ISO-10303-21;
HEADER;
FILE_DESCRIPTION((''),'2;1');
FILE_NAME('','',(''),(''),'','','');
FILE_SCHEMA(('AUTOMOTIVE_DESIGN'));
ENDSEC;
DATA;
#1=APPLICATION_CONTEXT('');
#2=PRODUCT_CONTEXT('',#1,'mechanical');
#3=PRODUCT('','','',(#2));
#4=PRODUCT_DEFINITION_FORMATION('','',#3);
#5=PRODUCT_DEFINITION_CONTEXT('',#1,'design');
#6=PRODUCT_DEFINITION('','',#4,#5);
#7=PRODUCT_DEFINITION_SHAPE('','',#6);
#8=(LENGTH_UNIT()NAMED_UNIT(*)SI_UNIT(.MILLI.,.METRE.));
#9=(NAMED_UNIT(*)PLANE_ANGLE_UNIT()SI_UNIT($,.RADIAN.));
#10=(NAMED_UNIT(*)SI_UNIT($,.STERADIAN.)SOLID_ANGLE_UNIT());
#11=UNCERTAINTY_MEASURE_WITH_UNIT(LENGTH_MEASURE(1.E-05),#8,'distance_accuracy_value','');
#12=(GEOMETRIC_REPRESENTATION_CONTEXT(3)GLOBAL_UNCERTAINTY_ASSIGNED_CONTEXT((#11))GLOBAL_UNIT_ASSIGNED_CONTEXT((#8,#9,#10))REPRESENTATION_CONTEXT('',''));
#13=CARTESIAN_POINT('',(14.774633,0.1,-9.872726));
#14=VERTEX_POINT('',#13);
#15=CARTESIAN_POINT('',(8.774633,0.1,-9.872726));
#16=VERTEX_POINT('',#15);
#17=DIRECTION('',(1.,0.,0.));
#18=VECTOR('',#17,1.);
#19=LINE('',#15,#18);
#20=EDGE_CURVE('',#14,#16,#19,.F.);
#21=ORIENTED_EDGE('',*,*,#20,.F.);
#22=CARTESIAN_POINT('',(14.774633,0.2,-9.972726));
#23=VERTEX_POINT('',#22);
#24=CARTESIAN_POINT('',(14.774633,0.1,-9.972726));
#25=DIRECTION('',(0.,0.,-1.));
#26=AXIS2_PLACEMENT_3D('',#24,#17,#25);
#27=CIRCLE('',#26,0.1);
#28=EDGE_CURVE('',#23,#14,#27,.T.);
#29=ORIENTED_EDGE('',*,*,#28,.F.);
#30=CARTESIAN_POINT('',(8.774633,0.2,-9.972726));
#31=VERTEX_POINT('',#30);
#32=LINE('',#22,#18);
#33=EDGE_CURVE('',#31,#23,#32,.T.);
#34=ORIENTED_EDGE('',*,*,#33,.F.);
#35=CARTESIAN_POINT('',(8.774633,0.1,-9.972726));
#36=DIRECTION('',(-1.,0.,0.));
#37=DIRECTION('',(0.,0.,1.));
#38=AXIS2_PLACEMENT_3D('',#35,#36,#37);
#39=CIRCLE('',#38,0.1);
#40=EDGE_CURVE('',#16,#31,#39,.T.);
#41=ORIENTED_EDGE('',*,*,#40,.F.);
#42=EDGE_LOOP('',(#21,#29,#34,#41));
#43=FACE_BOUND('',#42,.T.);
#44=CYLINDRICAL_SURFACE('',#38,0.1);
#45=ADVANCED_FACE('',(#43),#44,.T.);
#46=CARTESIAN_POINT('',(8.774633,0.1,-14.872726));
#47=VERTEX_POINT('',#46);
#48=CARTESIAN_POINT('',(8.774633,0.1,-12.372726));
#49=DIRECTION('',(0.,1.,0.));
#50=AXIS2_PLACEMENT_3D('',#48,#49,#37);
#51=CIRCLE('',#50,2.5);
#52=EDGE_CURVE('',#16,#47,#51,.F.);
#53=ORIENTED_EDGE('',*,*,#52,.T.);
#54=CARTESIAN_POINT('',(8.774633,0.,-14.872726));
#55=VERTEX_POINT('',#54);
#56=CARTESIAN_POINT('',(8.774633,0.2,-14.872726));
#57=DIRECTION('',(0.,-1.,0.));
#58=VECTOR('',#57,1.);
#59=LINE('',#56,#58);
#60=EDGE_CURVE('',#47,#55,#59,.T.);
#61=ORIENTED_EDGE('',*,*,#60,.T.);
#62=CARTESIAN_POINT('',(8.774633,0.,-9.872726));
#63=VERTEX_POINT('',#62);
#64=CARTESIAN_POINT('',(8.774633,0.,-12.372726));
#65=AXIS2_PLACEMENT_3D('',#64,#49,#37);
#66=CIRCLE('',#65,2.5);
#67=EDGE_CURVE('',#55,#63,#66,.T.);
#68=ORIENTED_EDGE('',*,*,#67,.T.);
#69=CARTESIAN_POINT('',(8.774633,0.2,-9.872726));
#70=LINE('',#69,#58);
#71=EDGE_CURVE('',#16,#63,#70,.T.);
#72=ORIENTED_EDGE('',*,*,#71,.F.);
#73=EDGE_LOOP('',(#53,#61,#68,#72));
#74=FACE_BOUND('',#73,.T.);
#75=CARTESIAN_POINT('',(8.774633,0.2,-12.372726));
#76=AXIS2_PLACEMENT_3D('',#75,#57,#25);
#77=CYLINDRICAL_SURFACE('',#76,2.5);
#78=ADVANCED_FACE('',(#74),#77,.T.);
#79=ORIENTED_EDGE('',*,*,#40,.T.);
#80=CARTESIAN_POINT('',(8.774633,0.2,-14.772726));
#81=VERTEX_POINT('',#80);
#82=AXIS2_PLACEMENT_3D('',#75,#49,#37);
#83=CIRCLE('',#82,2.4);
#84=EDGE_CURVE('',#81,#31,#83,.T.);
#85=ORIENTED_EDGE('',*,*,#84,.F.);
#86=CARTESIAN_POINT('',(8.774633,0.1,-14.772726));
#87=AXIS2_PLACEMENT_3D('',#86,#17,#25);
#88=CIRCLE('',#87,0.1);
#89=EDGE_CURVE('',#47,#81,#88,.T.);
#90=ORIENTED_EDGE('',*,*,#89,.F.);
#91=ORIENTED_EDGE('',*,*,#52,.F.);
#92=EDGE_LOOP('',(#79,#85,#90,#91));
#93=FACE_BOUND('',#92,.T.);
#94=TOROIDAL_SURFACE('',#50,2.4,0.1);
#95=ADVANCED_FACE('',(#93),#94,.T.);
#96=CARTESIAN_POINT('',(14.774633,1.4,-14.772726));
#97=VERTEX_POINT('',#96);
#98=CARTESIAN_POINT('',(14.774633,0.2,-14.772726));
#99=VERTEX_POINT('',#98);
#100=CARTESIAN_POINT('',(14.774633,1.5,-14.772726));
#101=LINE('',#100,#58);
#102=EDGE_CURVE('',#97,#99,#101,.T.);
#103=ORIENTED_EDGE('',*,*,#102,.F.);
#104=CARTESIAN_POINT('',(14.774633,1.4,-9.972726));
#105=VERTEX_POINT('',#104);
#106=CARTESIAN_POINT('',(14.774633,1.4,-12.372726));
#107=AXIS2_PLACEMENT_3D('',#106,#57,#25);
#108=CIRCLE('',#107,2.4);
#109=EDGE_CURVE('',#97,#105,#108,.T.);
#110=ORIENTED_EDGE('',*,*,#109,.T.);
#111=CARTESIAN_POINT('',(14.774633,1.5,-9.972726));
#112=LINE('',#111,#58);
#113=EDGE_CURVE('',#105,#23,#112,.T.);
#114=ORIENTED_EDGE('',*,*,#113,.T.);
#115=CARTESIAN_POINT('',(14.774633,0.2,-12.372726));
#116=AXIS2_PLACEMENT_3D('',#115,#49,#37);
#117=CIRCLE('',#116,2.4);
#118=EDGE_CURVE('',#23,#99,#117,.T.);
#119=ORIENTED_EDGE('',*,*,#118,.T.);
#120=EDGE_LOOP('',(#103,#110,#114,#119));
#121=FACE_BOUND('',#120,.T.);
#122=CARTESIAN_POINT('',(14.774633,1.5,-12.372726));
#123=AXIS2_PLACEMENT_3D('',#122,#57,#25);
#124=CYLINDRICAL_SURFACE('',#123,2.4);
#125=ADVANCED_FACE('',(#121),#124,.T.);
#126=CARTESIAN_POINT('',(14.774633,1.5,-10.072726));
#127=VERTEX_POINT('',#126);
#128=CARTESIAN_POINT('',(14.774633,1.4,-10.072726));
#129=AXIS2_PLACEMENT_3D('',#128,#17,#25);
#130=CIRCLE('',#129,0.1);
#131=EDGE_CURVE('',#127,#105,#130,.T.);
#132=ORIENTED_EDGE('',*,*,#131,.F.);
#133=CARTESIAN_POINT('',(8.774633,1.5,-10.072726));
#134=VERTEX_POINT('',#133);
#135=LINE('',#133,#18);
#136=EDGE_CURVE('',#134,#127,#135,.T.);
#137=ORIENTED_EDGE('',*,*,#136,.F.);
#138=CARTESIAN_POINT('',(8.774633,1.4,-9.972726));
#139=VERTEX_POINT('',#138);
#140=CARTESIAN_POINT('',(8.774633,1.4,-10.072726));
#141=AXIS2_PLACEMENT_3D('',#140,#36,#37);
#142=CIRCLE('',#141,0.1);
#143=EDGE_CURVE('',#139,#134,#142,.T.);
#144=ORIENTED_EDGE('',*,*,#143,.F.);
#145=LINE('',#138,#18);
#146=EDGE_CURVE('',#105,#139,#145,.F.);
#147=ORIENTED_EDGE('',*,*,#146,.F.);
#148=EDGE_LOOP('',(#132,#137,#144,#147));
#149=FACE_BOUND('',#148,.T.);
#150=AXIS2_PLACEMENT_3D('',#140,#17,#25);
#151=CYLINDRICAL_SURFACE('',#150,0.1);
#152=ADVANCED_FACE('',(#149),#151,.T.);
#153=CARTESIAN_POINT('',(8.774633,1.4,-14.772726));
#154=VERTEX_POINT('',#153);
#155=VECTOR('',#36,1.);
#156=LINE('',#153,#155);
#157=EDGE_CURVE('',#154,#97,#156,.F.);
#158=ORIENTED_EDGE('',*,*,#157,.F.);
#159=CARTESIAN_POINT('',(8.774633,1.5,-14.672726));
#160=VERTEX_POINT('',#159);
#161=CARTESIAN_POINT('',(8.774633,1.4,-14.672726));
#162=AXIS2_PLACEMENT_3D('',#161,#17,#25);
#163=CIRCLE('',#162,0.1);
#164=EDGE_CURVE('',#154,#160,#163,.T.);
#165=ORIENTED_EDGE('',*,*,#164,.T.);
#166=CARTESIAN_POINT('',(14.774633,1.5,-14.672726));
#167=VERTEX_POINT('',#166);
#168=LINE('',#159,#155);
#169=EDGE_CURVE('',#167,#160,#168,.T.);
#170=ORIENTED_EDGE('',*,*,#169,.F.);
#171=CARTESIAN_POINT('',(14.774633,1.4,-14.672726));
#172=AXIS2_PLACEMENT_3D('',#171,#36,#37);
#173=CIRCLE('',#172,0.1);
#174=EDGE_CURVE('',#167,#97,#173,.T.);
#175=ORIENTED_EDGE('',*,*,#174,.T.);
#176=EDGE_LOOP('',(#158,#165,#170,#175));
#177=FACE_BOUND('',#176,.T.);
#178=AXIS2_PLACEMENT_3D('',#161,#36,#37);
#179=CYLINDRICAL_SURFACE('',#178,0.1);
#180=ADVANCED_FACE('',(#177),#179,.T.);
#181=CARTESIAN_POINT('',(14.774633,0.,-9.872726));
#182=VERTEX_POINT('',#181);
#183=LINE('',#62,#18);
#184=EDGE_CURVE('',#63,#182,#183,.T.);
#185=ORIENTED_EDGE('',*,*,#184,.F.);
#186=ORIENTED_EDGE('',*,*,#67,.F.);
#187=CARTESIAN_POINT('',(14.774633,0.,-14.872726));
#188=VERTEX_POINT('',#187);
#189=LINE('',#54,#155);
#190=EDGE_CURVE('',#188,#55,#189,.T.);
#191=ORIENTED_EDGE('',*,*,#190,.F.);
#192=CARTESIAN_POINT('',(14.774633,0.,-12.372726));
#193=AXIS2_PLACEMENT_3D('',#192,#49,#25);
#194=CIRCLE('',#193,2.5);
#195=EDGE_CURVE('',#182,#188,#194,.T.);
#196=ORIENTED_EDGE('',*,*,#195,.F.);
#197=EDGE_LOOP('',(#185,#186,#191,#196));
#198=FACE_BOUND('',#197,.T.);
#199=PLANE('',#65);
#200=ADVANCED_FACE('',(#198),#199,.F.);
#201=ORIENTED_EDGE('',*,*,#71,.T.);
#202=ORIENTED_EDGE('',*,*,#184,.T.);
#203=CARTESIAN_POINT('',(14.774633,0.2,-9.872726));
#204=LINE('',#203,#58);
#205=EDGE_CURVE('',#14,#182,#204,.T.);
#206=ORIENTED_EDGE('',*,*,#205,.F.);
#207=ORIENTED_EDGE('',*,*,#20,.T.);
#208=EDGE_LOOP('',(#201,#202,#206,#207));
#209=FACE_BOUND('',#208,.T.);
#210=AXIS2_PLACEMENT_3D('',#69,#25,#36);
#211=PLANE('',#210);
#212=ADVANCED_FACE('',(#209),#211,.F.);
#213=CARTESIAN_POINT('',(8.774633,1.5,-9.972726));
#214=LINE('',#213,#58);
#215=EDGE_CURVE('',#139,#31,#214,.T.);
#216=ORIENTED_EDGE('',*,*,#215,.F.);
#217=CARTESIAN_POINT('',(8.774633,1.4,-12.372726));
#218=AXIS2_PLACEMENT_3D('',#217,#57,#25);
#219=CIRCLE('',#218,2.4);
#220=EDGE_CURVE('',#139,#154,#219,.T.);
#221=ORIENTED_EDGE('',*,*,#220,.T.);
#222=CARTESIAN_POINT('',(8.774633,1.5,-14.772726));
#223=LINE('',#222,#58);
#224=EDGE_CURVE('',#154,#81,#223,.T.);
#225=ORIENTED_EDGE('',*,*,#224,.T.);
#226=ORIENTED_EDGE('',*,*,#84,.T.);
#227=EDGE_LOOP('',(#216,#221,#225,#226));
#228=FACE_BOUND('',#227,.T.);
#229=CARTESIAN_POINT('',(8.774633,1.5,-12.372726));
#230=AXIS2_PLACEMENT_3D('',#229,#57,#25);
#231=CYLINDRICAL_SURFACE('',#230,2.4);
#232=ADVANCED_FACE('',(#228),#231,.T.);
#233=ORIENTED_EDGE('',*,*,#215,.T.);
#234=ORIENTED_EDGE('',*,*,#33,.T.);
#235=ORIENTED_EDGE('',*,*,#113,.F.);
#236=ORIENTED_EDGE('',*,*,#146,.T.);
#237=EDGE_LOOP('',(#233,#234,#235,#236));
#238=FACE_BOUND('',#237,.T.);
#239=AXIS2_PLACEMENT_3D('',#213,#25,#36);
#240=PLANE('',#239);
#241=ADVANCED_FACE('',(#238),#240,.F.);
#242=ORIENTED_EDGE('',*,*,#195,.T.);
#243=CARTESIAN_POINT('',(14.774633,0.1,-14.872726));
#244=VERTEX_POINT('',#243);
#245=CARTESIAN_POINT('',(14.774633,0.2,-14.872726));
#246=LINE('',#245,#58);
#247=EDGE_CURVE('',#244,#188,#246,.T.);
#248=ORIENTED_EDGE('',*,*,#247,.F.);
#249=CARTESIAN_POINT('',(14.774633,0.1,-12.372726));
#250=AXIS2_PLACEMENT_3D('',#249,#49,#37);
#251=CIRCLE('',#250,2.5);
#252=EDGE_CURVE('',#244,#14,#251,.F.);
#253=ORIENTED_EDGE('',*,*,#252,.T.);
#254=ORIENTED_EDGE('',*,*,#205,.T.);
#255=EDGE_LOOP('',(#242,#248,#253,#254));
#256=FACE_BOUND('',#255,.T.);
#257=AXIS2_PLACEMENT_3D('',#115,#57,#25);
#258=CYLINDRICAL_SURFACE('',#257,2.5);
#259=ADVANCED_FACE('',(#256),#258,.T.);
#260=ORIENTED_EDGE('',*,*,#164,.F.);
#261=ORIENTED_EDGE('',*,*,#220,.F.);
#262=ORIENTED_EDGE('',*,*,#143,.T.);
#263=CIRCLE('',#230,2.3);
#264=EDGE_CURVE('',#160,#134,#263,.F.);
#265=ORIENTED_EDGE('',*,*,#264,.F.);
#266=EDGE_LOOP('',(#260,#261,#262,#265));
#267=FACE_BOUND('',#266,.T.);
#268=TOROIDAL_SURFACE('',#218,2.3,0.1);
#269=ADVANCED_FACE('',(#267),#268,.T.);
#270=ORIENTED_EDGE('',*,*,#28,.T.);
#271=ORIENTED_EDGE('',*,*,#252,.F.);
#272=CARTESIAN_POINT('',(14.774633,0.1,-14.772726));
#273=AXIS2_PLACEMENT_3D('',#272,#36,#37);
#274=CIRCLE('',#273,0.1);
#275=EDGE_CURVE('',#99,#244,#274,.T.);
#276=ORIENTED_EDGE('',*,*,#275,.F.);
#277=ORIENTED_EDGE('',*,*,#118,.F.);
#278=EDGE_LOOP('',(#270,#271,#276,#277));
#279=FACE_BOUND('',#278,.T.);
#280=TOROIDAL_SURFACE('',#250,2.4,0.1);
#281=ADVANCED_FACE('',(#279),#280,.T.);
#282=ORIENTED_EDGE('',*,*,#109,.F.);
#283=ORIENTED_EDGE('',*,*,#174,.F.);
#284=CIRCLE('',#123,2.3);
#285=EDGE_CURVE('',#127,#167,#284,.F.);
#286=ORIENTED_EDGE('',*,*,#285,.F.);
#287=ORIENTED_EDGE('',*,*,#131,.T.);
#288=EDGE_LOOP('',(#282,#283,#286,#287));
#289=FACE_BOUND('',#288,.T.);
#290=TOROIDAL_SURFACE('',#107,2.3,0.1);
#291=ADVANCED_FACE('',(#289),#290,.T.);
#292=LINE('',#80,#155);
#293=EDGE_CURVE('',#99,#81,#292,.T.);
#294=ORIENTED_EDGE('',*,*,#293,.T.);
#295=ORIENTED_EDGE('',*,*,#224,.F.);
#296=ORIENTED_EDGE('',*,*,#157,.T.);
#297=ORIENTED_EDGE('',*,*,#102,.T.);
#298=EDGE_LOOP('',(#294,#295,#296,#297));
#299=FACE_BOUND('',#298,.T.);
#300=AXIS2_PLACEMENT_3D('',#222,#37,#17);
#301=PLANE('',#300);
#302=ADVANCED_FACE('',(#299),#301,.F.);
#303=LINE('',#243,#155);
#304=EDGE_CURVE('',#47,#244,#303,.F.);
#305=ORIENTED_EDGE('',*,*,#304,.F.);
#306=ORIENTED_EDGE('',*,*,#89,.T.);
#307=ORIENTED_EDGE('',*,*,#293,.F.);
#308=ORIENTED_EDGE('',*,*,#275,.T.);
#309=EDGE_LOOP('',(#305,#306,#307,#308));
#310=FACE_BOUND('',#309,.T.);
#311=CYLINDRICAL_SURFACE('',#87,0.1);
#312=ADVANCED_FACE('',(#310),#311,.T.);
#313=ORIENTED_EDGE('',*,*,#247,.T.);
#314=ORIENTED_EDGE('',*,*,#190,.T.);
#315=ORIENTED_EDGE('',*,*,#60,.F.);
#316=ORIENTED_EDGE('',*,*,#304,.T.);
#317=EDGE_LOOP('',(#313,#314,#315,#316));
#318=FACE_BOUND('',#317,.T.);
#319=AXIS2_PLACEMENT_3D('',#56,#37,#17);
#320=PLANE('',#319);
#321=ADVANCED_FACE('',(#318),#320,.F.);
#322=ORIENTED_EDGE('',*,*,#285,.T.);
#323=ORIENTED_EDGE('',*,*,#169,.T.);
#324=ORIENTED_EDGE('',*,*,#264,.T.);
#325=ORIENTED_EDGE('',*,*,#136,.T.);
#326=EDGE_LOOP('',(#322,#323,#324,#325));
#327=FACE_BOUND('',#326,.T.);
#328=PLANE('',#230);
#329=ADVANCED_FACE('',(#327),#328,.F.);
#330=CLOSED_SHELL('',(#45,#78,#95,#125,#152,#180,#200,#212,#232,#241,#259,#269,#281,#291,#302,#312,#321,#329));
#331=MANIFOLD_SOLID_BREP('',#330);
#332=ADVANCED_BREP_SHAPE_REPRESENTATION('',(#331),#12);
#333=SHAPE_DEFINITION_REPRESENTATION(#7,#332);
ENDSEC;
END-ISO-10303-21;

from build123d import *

# Parameters (mm, degrees)
BOSS_EXTRUDE1_DEPTH = 0.2
FILLET3_R           = 0.1
BOSS_EXTRUDE2_DEPTH = 1.3
FILLET4_R           = 0.1


with BuildPart() as part:
    # Sketch2 → Boss-Extrude1 (new body)
    with BuildSketch(Plane(origin=(0, 0, 0), x_dir=(1, 0, 0), z_dir=(0, 1, 0))):
        with BuildLine():
            Line((8.774632583, 14.872725815), (14.774632583, 14.872725815))
            ThreePointArc((14.774632583, 14.872725815), (17.274632583, 12.372725815), (14.774632583, 9.872725815))
            Line((14.774632583, 9.872725815), (8.774632583, 9.872725815))
            ThreePointArc((8.774632583, 9.872725815), (6.274632583, 12.372725815), (8.774632583, 14.872725815))
        make_face()
    extrude(amount=BOSS_EXTRUDE1_DEPTH)

    # Fillet3
    fillet3_edges = [part.edges().sort_by_distance(p)[0] for p in [
        (17.274632583, 0.2, -12.372725815),
        (11.774632583, 0.2, -14.872725815),
        (6.274632583, 0.2, -12.372725815),
        (11.774632583, 0.2, -9.872725815),
    ]]
    fillet(fillet3_edges, radius=FILLET3_R)

    # Sketch5 → Boss-Extrude2 (add)
    with BuildSketch(Plane(origin=(0, 0.2, 0), x_dir=(1, 0, 0), z_dir=(0, 1, 0))):
        with BuildLine():
            Line((8.774632583, 14.772725815), (14.774632583, 14.772725815))
            ThreePointArc((14.774632583, 14.772725815), (17.174632583, 12.372725815), (14.774632583, 9.972725815))
            Line((14.774632583, 9.972725815), (8.774632583, 9.972725815))
            ThreePointArc((8.774632583, 9.972725815), (6.374632583, 12.372725815), (8.774632583, 14.772725815))
        make_face()
    extrude(amount=BOSS_EXTRUDE2_DEPTH)

    # Fillet4
    fillet4_edges = [part.edges().sort_by_distance(p)[0] for p in [
        (6.374632583, 1.5, -12.372725815),
        (11.774632583, 1.5, -9.972725815),
        (17.174632583, 1.5, -12.372725815),
        (11.774632583, 1.5, -14.772725815),
    ]]
    fillet(fillet4_edges, radius=FILLET4_R)


solid = part.part
